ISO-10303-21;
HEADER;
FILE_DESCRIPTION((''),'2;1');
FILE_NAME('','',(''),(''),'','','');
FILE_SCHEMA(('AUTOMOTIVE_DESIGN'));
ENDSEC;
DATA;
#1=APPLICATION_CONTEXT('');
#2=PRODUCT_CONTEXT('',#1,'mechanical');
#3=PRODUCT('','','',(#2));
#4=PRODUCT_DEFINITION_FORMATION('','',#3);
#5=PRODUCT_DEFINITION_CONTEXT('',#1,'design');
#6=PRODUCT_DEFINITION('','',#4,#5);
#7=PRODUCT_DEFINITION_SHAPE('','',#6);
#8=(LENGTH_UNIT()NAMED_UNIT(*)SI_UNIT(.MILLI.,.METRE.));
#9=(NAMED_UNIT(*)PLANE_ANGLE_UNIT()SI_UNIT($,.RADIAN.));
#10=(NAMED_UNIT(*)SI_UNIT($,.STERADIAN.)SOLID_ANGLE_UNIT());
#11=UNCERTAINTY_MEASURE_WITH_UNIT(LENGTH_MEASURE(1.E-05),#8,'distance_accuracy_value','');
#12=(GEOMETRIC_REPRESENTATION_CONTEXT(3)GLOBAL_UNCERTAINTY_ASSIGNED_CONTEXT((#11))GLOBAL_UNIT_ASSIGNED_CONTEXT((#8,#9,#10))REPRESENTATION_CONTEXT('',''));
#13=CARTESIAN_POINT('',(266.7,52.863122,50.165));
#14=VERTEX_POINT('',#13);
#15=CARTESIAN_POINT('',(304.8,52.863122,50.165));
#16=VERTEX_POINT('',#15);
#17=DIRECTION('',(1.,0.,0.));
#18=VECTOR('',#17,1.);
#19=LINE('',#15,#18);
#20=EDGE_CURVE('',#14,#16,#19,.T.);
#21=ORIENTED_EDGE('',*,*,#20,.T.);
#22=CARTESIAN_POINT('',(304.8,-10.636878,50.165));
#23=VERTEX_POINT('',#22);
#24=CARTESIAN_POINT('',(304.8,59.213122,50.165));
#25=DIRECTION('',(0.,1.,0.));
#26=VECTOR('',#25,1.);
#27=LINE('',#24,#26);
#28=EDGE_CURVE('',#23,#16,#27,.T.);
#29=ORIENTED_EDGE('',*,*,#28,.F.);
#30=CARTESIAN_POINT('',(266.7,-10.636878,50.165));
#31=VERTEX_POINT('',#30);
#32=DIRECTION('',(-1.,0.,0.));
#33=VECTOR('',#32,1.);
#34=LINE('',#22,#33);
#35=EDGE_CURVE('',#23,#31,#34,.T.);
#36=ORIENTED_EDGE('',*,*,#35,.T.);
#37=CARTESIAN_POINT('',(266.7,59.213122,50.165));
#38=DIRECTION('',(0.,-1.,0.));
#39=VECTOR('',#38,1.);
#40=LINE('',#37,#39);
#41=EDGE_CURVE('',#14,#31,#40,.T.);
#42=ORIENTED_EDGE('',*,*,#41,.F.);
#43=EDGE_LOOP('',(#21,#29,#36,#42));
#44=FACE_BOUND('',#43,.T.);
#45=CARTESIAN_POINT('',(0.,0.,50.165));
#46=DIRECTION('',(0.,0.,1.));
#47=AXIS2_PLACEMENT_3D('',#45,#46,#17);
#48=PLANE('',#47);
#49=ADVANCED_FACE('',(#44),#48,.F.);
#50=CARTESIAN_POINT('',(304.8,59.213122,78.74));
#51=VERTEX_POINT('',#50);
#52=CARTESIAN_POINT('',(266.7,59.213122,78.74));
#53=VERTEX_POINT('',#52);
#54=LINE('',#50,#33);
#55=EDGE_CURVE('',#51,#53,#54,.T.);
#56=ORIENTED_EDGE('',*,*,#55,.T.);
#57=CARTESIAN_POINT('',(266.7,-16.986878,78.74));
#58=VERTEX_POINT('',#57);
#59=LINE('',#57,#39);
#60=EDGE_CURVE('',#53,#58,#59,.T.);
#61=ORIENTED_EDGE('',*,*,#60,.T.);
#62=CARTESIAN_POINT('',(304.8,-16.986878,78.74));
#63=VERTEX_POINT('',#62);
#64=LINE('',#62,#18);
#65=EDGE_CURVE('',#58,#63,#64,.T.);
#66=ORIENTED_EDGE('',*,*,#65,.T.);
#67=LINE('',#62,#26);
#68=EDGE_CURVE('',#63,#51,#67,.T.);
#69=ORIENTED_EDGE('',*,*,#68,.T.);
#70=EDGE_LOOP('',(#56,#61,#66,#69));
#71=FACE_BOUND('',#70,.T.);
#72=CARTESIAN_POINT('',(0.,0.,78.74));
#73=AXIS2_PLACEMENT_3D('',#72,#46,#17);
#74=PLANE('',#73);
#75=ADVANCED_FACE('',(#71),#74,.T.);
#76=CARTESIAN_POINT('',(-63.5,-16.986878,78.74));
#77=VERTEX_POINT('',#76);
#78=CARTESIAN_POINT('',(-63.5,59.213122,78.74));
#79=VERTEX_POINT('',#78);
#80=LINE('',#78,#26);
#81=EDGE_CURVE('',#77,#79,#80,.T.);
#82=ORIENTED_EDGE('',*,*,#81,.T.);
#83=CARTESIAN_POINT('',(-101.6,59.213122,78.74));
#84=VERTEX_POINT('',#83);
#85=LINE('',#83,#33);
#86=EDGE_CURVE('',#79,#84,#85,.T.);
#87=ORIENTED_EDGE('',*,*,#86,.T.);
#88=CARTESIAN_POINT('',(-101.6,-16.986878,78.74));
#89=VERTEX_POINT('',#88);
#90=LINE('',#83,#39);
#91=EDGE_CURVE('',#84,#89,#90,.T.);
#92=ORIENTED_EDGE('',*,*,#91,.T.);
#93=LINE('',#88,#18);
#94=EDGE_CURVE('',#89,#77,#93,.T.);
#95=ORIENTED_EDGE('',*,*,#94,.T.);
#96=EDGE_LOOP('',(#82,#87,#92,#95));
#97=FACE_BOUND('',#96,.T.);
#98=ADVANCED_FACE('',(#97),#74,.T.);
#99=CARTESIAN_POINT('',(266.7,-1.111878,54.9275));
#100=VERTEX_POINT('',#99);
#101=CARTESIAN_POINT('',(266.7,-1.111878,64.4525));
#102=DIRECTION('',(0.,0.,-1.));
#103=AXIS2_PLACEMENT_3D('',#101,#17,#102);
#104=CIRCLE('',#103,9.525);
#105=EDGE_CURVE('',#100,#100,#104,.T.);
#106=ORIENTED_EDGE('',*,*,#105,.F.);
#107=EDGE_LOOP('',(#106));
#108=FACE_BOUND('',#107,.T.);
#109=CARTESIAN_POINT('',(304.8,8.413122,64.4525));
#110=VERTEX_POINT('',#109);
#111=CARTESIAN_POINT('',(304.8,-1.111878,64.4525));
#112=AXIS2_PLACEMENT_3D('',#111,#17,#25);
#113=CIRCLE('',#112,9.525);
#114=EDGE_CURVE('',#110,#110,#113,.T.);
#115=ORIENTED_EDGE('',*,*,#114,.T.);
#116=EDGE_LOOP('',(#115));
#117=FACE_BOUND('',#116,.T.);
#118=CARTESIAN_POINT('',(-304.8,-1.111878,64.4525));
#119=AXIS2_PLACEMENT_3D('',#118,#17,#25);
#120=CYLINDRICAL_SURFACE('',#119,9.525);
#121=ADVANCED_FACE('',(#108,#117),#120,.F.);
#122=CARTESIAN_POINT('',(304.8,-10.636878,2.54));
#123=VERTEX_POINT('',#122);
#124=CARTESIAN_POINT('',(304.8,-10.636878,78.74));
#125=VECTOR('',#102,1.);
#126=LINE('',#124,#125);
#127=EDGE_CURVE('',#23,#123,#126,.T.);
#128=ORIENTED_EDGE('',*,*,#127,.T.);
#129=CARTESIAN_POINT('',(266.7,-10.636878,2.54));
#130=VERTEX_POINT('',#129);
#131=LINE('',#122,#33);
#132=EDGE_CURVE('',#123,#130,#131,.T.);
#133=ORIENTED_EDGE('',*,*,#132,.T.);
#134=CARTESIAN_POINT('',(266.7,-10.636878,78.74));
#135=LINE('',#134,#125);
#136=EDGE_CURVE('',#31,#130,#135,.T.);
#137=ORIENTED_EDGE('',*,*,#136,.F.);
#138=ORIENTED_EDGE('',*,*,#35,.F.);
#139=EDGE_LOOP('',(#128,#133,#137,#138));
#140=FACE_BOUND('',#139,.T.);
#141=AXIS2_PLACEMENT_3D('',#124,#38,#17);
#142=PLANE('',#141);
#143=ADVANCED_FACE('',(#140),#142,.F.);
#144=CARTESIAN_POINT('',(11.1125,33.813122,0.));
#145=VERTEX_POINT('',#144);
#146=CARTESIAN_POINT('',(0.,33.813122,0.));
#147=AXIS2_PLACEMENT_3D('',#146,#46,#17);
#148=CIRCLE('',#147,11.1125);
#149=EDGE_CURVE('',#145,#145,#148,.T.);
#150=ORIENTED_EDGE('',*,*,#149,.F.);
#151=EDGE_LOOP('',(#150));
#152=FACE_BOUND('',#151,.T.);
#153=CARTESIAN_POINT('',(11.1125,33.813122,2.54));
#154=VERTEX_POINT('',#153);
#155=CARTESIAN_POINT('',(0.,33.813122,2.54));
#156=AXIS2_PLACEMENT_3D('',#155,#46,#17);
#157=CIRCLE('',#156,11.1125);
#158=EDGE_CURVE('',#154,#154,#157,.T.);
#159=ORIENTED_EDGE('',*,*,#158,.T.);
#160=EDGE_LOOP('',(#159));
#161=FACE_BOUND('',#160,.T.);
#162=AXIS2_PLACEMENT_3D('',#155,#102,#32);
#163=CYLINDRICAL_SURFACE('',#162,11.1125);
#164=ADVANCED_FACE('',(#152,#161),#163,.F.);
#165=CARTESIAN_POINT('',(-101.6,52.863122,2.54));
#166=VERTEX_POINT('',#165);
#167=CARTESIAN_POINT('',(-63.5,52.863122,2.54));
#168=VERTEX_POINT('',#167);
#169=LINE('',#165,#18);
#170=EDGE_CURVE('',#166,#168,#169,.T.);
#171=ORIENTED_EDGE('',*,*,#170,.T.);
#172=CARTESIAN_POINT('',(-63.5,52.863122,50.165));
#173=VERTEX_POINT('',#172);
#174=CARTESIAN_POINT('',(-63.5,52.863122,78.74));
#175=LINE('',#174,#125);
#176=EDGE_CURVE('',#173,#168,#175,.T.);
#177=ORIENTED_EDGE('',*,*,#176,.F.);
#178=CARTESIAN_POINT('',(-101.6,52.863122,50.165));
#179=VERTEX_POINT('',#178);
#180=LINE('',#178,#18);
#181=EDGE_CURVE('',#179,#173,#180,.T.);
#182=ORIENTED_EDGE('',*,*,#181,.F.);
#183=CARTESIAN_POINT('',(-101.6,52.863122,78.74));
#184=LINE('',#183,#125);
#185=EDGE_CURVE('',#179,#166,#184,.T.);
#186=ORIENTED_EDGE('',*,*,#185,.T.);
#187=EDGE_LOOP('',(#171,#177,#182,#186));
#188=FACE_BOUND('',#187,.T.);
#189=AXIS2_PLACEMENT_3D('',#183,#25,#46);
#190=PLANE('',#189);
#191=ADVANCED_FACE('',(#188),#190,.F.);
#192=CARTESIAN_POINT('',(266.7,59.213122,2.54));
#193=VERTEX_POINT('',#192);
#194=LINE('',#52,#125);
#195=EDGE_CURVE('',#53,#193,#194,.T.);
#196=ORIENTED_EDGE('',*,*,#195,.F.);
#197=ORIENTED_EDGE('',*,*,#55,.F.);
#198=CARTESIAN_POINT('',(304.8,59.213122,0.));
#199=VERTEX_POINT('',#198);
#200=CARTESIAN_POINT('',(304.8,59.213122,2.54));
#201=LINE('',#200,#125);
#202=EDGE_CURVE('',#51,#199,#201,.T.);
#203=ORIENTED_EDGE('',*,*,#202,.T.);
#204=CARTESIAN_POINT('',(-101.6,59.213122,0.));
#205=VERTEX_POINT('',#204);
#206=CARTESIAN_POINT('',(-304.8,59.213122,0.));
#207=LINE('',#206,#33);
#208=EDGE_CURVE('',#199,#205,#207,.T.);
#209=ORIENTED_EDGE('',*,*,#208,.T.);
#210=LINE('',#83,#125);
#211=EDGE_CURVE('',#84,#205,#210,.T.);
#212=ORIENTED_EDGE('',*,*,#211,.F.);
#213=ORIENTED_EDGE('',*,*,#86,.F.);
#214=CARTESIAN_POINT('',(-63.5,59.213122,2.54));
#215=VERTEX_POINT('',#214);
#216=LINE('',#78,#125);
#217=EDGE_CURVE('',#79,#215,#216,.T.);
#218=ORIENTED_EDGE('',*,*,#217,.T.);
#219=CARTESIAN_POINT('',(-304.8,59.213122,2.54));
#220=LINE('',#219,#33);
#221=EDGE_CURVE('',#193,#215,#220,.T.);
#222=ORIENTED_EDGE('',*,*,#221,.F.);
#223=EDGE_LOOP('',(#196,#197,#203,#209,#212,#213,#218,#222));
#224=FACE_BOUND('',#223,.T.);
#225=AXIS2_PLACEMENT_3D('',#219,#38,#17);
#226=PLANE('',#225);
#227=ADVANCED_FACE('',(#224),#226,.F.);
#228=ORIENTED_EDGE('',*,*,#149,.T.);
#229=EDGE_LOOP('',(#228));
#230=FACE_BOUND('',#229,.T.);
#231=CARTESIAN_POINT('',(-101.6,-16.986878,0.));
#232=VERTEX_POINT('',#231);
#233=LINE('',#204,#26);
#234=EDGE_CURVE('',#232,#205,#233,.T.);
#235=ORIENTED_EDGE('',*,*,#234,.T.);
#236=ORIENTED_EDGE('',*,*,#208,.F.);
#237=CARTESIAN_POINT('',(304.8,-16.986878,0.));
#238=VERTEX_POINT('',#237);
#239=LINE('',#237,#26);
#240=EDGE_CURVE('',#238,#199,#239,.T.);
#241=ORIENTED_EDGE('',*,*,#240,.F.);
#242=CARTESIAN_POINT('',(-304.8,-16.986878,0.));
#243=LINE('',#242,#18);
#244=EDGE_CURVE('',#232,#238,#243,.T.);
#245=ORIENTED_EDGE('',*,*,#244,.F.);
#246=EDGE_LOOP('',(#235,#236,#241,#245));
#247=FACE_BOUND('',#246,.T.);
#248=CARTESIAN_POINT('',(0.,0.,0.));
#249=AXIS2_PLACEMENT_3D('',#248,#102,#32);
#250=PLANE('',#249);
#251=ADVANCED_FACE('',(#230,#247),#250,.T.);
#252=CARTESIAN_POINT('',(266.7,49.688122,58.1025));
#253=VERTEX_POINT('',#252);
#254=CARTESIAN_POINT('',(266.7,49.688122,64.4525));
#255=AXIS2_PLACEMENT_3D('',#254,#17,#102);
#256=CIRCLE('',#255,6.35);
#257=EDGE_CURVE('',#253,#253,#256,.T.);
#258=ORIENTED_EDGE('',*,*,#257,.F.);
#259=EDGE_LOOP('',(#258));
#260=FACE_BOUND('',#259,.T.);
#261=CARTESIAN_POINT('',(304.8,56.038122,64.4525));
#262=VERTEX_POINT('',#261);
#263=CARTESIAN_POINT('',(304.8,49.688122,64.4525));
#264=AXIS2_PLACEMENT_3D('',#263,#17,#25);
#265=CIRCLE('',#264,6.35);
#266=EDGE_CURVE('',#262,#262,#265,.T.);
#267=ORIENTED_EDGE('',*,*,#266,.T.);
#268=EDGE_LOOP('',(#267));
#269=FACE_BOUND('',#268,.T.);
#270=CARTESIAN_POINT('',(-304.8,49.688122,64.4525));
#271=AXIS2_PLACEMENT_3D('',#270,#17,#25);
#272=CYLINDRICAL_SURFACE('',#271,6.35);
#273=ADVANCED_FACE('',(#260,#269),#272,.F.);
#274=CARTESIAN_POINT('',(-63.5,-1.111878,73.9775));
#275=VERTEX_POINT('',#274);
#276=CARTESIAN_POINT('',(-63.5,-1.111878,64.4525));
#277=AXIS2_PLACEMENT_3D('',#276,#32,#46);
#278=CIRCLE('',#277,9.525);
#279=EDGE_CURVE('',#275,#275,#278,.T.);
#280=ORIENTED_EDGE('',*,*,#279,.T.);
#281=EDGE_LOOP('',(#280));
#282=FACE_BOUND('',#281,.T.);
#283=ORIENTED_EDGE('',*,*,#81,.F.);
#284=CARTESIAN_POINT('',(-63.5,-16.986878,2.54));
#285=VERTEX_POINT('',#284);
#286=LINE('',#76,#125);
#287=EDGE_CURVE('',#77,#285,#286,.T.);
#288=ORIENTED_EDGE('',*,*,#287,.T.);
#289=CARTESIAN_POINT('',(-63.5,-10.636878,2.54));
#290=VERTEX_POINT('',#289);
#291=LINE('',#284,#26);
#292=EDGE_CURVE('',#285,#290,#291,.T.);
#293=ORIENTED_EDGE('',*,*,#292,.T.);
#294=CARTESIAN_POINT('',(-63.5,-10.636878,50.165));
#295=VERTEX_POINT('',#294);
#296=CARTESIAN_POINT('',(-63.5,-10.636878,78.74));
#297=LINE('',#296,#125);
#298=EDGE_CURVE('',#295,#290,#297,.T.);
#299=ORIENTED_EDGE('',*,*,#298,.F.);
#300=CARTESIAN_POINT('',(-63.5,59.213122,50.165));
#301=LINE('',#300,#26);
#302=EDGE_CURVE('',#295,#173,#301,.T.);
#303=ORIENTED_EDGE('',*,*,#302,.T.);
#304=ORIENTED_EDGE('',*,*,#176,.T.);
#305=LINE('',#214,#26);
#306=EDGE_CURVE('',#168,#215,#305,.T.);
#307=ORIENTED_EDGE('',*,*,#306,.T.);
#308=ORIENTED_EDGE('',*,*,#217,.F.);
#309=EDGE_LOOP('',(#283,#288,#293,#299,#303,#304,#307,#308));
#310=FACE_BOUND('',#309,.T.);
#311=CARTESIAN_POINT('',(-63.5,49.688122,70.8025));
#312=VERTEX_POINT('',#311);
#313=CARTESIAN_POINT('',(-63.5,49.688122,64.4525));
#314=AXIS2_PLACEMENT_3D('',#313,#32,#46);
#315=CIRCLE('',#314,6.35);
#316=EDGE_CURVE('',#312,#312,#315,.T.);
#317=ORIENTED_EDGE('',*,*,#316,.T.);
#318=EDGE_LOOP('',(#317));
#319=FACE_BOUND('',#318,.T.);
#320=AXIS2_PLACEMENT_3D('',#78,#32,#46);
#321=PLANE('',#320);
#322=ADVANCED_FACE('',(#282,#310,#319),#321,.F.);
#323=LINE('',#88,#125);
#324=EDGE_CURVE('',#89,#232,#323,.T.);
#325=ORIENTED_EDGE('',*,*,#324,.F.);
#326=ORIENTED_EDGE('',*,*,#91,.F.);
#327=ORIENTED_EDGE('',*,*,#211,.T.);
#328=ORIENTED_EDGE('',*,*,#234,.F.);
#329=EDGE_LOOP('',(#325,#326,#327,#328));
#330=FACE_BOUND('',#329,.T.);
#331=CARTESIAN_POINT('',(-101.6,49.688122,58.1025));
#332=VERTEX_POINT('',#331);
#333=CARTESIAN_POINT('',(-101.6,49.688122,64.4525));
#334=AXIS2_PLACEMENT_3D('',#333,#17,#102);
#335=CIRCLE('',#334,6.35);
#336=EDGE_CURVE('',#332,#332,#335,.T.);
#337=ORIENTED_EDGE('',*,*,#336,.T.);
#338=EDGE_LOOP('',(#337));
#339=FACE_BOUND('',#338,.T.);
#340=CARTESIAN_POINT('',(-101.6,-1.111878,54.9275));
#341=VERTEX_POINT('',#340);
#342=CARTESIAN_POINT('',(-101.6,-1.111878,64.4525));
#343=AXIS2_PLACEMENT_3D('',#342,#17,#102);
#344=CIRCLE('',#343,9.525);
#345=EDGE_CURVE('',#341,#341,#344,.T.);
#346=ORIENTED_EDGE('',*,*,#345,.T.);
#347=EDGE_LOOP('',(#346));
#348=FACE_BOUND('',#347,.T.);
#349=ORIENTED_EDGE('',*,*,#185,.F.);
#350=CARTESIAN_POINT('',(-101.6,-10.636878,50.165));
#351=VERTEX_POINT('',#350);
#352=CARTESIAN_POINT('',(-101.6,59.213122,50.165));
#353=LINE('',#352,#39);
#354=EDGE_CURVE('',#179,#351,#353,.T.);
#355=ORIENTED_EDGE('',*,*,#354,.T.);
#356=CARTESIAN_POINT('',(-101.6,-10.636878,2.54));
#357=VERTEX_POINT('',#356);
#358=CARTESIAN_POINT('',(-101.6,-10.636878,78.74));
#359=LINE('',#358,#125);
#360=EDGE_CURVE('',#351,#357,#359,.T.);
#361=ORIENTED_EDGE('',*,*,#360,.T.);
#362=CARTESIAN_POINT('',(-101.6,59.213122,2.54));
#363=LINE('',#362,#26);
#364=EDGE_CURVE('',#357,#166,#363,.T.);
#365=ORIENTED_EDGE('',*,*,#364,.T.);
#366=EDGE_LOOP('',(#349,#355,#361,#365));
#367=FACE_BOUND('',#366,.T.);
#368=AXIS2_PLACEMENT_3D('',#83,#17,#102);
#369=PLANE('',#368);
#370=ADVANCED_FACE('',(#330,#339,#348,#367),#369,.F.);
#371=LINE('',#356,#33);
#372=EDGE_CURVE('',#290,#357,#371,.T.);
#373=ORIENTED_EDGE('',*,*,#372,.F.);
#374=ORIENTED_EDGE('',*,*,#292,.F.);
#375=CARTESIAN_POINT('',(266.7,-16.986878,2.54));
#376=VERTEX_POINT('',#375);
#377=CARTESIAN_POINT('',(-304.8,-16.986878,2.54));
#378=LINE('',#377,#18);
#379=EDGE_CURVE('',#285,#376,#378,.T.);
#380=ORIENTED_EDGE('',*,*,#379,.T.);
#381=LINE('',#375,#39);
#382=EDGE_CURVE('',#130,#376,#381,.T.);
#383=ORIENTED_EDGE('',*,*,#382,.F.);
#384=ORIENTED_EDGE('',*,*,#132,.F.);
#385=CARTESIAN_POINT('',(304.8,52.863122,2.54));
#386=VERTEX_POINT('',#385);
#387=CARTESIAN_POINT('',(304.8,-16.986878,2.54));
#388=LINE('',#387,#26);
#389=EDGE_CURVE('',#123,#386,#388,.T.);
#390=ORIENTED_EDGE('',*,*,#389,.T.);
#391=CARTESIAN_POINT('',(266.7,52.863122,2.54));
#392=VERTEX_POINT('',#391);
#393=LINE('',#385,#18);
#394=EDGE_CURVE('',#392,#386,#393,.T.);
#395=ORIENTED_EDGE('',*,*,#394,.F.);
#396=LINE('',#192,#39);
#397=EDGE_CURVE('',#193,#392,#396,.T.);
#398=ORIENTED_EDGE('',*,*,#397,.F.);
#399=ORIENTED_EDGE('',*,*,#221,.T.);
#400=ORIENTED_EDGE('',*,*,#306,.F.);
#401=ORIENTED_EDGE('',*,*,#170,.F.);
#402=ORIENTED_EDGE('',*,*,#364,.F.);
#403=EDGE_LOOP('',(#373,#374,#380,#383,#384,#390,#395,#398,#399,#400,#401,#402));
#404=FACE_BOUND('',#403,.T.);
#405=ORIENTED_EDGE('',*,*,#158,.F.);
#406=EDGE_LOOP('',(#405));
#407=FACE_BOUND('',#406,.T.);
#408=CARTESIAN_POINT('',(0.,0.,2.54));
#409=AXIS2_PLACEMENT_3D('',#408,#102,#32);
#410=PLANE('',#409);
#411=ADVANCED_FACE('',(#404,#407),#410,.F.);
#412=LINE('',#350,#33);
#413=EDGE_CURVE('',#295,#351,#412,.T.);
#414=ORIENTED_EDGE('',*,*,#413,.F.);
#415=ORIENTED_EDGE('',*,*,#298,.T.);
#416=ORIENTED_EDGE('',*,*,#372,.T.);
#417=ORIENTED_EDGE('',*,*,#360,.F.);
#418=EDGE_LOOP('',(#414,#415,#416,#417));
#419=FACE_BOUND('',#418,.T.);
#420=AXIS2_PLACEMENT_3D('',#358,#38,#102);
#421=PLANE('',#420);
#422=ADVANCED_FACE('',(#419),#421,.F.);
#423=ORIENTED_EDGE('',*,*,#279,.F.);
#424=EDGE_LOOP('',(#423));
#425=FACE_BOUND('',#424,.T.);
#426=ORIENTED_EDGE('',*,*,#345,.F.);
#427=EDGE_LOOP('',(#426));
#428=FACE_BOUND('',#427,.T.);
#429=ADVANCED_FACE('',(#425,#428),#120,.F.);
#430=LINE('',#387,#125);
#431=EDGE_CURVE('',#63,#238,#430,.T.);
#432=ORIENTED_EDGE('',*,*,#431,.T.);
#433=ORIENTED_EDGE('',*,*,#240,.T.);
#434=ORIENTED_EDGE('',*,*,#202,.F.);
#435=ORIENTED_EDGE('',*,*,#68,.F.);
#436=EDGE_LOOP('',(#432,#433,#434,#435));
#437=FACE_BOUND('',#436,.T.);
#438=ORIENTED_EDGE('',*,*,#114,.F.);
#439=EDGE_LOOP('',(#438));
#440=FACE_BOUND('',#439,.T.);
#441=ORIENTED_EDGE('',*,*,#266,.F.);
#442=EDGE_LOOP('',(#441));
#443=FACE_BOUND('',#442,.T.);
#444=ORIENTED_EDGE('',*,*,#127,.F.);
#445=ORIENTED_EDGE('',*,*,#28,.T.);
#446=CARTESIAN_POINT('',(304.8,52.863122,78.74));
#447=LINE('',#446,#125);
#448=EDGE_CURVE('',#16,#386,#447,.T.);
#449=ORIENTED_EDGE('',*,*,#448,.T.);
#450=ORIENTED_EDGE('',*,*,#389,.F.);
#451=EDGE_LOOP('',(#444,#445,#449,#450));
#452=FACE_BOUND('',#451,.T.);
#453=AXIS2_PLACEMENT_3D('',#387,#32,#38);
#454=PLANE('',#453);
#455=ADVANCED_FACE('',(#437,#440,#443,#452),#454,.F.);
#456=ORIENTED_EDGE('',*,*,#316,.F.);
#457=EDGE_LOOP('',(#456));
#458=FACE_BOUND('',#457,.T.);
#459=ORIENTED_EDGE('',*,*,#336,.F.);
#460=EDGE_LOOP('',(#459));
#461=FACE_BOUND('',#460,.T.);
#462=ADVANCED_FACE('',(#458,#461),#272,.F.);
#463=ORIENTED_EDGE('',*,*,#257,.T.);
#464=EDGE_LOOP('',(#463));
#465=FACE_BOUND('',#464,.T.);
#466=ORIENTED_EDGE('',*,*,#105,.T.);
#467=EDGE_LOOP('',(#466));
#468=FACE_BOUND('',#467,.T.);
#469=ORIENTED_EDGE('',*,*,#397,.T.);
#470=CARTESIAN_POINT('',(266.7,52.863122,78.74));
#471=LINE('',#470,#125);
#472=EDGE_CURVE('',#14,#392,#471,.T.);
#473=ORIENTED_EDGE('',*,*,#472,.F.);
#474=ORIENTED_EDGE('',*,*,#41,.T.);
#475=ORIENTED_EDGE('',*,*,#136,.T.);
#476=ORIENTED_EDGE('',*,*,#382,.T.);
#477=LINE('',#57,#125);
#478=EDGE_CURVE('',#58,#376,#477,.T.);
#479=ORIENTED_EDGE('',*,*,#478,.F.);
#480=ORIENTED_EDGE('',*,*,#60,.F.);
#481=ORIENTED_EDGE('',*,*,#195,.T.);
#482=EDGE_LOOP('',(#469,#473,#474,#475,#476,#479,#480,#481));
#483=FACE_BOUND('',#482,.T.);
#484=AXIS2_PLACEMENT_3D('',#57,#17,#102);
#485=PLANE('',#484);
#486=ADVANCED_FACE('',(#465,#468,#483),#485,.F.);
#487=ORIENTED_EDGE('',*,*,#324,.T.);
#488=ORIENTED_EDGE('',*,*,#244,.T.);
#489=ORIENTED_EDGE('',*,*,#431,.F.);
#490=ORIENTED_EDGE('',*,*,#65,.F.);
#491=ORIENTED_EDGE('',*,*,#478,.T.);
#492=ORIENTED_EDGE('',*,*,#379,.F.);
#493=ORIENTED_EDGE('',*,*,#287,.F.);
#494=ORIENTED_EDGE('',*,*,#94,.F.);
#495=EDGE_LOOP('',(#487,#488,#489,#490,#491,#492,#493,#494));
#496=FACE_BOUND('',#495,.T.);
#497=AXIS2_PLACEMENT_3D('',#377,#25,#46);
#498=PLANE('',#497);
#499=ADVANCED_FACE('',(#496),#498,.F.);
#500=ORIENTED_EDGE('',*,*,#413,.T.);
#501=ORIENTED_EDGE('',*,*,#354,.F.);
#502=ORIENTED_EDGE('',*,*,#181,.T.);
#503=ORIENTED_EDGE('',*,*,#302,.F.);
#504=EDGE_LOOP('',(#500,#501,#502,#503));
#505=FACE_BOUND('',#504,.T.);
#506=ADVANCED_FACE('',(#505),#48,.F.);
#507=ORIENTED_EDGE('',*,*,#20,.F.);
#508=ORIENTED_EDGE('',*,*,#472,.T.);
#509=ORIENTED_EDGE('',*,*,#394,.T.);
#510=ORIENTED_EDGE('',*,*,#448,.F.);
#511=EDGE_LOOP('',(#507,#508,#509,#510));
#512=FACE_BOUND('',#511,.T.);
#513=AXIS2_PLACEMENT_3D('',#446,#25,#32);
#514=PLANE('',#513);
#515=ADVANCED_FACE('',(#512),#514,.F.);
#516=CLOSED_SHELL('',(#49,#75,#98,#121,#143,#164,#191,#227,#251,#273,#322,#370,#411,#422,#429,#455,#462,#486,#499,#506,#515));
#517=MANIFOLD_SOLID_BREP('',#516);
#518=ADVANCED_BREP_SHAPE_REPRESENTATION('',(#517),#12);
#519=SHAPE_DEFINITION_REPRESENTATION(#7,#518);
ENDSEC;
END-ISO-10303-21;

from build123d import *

# Parameters (mm, degrees)
SKETCH1_W           = 609.6
SKETCH1_H           = 76.2
SKETCH1_R           = 11.1125
BOSS_EXTRUDE1_DEPTH = 2.54
SKETCH2_W           = 38.1
SKETCH2_H           = 6.35
BOSS_EXTRUDE2_DEPTH = 76.2
SKETCH3_W           = 38.1
SKETCH3_H           = 76.2
BOSS_EXTRUDE3_DEPTH = 28.575
SKETCH4_R           = 6.35
SKETCH4_R_2         = 9.525
CUT_EXTRUDE1_DEPTH  = 610.6
SKETCH5_W           = 203.2
SKETCH5_H           = 76.2
CUT_EXTRUDE2_DEPTH  = 3.54


with BuildPart() as part:
    # Sketch1 → Boss-Extrude1 (new body)
    with BuildSketch(Plane.XY):
        with Locations((0, 21.113121982)):
            Rectangle(SKETCH1_W, SKETCH1_H)
        with Locations((0, 33.813121982)):
            Circle(SKETCH1_R, mode=Mode.SUBTRACT)
    extrude(amount=BOSS_EXTRUDE1_DEPTH)

    # Sketch2 → Boss-Extrude2 (add)
    with BuildSketch(Plane.XY.offset(2.54)):
        with Locations((-82.55, 56.038121982)):
            Rectangle(SKETCH2_W, SKETCH2_H)
        with Locations((-82.55, -13.811878018)):
            Rectangle(SKETCH2_W, SKETCH2_H)
        with Locations((285.75, 56.038121982)):
            Rectangle(SKETCH2_W, SKETCH2_H)
        with Locations((285.75, -13.811878018)):
            Rectangle(SKETCH2_W, SKETCH2_H)
    extrude(amount=BOSS_EXTRUDE2_DEPTH)

    # Sketch3 → Boss-Extrude3 (add)
    with BuildSketch(Plane.XY.offset(78.74)):
        with Locations((-82.55, 21.113121982)):
            Rectangle(SKETCH3_W, SKETCH3_H)
        with Locations((285.75, 21.113121982)):
            Rectangle(SKETCH3_W, SKETCH3_H)
    extrude(amount=-BOSS_EXTRUDE3_DEPTH)

    # Sketch4 → Cut-Extrude1 (cut, through all)
    with BuildSketch(Plane(origin=(304.8, 0, 0), x_dir=(0, 0, -1), z_dir=(1, 0, 0))):
        with Locations((-64.4525, 49.688121982)):
            Circle(SKETCH4_R)
        with Locations((-64.4525, -1.111878018)):
            Circle(SKETCH4_R_2)
    extrude(amount=-CUT_EXTRUDE1_DEPTH, mode=Mode.SUBTRACT)

    # Sketch5 → Cut-Extrude2 (cut, through all)
    with BuildSketch(Plane.XY.offset(2.54)):
        with Locations((-203.2, 21.113121982)):
            Rectangle(SKETCH5_W, SKETCH5_H)
    extrude(amount=-CUT_EXTRUDE2_DEPTH, mode=Mode.SUBTRACT)


solid = part.part
